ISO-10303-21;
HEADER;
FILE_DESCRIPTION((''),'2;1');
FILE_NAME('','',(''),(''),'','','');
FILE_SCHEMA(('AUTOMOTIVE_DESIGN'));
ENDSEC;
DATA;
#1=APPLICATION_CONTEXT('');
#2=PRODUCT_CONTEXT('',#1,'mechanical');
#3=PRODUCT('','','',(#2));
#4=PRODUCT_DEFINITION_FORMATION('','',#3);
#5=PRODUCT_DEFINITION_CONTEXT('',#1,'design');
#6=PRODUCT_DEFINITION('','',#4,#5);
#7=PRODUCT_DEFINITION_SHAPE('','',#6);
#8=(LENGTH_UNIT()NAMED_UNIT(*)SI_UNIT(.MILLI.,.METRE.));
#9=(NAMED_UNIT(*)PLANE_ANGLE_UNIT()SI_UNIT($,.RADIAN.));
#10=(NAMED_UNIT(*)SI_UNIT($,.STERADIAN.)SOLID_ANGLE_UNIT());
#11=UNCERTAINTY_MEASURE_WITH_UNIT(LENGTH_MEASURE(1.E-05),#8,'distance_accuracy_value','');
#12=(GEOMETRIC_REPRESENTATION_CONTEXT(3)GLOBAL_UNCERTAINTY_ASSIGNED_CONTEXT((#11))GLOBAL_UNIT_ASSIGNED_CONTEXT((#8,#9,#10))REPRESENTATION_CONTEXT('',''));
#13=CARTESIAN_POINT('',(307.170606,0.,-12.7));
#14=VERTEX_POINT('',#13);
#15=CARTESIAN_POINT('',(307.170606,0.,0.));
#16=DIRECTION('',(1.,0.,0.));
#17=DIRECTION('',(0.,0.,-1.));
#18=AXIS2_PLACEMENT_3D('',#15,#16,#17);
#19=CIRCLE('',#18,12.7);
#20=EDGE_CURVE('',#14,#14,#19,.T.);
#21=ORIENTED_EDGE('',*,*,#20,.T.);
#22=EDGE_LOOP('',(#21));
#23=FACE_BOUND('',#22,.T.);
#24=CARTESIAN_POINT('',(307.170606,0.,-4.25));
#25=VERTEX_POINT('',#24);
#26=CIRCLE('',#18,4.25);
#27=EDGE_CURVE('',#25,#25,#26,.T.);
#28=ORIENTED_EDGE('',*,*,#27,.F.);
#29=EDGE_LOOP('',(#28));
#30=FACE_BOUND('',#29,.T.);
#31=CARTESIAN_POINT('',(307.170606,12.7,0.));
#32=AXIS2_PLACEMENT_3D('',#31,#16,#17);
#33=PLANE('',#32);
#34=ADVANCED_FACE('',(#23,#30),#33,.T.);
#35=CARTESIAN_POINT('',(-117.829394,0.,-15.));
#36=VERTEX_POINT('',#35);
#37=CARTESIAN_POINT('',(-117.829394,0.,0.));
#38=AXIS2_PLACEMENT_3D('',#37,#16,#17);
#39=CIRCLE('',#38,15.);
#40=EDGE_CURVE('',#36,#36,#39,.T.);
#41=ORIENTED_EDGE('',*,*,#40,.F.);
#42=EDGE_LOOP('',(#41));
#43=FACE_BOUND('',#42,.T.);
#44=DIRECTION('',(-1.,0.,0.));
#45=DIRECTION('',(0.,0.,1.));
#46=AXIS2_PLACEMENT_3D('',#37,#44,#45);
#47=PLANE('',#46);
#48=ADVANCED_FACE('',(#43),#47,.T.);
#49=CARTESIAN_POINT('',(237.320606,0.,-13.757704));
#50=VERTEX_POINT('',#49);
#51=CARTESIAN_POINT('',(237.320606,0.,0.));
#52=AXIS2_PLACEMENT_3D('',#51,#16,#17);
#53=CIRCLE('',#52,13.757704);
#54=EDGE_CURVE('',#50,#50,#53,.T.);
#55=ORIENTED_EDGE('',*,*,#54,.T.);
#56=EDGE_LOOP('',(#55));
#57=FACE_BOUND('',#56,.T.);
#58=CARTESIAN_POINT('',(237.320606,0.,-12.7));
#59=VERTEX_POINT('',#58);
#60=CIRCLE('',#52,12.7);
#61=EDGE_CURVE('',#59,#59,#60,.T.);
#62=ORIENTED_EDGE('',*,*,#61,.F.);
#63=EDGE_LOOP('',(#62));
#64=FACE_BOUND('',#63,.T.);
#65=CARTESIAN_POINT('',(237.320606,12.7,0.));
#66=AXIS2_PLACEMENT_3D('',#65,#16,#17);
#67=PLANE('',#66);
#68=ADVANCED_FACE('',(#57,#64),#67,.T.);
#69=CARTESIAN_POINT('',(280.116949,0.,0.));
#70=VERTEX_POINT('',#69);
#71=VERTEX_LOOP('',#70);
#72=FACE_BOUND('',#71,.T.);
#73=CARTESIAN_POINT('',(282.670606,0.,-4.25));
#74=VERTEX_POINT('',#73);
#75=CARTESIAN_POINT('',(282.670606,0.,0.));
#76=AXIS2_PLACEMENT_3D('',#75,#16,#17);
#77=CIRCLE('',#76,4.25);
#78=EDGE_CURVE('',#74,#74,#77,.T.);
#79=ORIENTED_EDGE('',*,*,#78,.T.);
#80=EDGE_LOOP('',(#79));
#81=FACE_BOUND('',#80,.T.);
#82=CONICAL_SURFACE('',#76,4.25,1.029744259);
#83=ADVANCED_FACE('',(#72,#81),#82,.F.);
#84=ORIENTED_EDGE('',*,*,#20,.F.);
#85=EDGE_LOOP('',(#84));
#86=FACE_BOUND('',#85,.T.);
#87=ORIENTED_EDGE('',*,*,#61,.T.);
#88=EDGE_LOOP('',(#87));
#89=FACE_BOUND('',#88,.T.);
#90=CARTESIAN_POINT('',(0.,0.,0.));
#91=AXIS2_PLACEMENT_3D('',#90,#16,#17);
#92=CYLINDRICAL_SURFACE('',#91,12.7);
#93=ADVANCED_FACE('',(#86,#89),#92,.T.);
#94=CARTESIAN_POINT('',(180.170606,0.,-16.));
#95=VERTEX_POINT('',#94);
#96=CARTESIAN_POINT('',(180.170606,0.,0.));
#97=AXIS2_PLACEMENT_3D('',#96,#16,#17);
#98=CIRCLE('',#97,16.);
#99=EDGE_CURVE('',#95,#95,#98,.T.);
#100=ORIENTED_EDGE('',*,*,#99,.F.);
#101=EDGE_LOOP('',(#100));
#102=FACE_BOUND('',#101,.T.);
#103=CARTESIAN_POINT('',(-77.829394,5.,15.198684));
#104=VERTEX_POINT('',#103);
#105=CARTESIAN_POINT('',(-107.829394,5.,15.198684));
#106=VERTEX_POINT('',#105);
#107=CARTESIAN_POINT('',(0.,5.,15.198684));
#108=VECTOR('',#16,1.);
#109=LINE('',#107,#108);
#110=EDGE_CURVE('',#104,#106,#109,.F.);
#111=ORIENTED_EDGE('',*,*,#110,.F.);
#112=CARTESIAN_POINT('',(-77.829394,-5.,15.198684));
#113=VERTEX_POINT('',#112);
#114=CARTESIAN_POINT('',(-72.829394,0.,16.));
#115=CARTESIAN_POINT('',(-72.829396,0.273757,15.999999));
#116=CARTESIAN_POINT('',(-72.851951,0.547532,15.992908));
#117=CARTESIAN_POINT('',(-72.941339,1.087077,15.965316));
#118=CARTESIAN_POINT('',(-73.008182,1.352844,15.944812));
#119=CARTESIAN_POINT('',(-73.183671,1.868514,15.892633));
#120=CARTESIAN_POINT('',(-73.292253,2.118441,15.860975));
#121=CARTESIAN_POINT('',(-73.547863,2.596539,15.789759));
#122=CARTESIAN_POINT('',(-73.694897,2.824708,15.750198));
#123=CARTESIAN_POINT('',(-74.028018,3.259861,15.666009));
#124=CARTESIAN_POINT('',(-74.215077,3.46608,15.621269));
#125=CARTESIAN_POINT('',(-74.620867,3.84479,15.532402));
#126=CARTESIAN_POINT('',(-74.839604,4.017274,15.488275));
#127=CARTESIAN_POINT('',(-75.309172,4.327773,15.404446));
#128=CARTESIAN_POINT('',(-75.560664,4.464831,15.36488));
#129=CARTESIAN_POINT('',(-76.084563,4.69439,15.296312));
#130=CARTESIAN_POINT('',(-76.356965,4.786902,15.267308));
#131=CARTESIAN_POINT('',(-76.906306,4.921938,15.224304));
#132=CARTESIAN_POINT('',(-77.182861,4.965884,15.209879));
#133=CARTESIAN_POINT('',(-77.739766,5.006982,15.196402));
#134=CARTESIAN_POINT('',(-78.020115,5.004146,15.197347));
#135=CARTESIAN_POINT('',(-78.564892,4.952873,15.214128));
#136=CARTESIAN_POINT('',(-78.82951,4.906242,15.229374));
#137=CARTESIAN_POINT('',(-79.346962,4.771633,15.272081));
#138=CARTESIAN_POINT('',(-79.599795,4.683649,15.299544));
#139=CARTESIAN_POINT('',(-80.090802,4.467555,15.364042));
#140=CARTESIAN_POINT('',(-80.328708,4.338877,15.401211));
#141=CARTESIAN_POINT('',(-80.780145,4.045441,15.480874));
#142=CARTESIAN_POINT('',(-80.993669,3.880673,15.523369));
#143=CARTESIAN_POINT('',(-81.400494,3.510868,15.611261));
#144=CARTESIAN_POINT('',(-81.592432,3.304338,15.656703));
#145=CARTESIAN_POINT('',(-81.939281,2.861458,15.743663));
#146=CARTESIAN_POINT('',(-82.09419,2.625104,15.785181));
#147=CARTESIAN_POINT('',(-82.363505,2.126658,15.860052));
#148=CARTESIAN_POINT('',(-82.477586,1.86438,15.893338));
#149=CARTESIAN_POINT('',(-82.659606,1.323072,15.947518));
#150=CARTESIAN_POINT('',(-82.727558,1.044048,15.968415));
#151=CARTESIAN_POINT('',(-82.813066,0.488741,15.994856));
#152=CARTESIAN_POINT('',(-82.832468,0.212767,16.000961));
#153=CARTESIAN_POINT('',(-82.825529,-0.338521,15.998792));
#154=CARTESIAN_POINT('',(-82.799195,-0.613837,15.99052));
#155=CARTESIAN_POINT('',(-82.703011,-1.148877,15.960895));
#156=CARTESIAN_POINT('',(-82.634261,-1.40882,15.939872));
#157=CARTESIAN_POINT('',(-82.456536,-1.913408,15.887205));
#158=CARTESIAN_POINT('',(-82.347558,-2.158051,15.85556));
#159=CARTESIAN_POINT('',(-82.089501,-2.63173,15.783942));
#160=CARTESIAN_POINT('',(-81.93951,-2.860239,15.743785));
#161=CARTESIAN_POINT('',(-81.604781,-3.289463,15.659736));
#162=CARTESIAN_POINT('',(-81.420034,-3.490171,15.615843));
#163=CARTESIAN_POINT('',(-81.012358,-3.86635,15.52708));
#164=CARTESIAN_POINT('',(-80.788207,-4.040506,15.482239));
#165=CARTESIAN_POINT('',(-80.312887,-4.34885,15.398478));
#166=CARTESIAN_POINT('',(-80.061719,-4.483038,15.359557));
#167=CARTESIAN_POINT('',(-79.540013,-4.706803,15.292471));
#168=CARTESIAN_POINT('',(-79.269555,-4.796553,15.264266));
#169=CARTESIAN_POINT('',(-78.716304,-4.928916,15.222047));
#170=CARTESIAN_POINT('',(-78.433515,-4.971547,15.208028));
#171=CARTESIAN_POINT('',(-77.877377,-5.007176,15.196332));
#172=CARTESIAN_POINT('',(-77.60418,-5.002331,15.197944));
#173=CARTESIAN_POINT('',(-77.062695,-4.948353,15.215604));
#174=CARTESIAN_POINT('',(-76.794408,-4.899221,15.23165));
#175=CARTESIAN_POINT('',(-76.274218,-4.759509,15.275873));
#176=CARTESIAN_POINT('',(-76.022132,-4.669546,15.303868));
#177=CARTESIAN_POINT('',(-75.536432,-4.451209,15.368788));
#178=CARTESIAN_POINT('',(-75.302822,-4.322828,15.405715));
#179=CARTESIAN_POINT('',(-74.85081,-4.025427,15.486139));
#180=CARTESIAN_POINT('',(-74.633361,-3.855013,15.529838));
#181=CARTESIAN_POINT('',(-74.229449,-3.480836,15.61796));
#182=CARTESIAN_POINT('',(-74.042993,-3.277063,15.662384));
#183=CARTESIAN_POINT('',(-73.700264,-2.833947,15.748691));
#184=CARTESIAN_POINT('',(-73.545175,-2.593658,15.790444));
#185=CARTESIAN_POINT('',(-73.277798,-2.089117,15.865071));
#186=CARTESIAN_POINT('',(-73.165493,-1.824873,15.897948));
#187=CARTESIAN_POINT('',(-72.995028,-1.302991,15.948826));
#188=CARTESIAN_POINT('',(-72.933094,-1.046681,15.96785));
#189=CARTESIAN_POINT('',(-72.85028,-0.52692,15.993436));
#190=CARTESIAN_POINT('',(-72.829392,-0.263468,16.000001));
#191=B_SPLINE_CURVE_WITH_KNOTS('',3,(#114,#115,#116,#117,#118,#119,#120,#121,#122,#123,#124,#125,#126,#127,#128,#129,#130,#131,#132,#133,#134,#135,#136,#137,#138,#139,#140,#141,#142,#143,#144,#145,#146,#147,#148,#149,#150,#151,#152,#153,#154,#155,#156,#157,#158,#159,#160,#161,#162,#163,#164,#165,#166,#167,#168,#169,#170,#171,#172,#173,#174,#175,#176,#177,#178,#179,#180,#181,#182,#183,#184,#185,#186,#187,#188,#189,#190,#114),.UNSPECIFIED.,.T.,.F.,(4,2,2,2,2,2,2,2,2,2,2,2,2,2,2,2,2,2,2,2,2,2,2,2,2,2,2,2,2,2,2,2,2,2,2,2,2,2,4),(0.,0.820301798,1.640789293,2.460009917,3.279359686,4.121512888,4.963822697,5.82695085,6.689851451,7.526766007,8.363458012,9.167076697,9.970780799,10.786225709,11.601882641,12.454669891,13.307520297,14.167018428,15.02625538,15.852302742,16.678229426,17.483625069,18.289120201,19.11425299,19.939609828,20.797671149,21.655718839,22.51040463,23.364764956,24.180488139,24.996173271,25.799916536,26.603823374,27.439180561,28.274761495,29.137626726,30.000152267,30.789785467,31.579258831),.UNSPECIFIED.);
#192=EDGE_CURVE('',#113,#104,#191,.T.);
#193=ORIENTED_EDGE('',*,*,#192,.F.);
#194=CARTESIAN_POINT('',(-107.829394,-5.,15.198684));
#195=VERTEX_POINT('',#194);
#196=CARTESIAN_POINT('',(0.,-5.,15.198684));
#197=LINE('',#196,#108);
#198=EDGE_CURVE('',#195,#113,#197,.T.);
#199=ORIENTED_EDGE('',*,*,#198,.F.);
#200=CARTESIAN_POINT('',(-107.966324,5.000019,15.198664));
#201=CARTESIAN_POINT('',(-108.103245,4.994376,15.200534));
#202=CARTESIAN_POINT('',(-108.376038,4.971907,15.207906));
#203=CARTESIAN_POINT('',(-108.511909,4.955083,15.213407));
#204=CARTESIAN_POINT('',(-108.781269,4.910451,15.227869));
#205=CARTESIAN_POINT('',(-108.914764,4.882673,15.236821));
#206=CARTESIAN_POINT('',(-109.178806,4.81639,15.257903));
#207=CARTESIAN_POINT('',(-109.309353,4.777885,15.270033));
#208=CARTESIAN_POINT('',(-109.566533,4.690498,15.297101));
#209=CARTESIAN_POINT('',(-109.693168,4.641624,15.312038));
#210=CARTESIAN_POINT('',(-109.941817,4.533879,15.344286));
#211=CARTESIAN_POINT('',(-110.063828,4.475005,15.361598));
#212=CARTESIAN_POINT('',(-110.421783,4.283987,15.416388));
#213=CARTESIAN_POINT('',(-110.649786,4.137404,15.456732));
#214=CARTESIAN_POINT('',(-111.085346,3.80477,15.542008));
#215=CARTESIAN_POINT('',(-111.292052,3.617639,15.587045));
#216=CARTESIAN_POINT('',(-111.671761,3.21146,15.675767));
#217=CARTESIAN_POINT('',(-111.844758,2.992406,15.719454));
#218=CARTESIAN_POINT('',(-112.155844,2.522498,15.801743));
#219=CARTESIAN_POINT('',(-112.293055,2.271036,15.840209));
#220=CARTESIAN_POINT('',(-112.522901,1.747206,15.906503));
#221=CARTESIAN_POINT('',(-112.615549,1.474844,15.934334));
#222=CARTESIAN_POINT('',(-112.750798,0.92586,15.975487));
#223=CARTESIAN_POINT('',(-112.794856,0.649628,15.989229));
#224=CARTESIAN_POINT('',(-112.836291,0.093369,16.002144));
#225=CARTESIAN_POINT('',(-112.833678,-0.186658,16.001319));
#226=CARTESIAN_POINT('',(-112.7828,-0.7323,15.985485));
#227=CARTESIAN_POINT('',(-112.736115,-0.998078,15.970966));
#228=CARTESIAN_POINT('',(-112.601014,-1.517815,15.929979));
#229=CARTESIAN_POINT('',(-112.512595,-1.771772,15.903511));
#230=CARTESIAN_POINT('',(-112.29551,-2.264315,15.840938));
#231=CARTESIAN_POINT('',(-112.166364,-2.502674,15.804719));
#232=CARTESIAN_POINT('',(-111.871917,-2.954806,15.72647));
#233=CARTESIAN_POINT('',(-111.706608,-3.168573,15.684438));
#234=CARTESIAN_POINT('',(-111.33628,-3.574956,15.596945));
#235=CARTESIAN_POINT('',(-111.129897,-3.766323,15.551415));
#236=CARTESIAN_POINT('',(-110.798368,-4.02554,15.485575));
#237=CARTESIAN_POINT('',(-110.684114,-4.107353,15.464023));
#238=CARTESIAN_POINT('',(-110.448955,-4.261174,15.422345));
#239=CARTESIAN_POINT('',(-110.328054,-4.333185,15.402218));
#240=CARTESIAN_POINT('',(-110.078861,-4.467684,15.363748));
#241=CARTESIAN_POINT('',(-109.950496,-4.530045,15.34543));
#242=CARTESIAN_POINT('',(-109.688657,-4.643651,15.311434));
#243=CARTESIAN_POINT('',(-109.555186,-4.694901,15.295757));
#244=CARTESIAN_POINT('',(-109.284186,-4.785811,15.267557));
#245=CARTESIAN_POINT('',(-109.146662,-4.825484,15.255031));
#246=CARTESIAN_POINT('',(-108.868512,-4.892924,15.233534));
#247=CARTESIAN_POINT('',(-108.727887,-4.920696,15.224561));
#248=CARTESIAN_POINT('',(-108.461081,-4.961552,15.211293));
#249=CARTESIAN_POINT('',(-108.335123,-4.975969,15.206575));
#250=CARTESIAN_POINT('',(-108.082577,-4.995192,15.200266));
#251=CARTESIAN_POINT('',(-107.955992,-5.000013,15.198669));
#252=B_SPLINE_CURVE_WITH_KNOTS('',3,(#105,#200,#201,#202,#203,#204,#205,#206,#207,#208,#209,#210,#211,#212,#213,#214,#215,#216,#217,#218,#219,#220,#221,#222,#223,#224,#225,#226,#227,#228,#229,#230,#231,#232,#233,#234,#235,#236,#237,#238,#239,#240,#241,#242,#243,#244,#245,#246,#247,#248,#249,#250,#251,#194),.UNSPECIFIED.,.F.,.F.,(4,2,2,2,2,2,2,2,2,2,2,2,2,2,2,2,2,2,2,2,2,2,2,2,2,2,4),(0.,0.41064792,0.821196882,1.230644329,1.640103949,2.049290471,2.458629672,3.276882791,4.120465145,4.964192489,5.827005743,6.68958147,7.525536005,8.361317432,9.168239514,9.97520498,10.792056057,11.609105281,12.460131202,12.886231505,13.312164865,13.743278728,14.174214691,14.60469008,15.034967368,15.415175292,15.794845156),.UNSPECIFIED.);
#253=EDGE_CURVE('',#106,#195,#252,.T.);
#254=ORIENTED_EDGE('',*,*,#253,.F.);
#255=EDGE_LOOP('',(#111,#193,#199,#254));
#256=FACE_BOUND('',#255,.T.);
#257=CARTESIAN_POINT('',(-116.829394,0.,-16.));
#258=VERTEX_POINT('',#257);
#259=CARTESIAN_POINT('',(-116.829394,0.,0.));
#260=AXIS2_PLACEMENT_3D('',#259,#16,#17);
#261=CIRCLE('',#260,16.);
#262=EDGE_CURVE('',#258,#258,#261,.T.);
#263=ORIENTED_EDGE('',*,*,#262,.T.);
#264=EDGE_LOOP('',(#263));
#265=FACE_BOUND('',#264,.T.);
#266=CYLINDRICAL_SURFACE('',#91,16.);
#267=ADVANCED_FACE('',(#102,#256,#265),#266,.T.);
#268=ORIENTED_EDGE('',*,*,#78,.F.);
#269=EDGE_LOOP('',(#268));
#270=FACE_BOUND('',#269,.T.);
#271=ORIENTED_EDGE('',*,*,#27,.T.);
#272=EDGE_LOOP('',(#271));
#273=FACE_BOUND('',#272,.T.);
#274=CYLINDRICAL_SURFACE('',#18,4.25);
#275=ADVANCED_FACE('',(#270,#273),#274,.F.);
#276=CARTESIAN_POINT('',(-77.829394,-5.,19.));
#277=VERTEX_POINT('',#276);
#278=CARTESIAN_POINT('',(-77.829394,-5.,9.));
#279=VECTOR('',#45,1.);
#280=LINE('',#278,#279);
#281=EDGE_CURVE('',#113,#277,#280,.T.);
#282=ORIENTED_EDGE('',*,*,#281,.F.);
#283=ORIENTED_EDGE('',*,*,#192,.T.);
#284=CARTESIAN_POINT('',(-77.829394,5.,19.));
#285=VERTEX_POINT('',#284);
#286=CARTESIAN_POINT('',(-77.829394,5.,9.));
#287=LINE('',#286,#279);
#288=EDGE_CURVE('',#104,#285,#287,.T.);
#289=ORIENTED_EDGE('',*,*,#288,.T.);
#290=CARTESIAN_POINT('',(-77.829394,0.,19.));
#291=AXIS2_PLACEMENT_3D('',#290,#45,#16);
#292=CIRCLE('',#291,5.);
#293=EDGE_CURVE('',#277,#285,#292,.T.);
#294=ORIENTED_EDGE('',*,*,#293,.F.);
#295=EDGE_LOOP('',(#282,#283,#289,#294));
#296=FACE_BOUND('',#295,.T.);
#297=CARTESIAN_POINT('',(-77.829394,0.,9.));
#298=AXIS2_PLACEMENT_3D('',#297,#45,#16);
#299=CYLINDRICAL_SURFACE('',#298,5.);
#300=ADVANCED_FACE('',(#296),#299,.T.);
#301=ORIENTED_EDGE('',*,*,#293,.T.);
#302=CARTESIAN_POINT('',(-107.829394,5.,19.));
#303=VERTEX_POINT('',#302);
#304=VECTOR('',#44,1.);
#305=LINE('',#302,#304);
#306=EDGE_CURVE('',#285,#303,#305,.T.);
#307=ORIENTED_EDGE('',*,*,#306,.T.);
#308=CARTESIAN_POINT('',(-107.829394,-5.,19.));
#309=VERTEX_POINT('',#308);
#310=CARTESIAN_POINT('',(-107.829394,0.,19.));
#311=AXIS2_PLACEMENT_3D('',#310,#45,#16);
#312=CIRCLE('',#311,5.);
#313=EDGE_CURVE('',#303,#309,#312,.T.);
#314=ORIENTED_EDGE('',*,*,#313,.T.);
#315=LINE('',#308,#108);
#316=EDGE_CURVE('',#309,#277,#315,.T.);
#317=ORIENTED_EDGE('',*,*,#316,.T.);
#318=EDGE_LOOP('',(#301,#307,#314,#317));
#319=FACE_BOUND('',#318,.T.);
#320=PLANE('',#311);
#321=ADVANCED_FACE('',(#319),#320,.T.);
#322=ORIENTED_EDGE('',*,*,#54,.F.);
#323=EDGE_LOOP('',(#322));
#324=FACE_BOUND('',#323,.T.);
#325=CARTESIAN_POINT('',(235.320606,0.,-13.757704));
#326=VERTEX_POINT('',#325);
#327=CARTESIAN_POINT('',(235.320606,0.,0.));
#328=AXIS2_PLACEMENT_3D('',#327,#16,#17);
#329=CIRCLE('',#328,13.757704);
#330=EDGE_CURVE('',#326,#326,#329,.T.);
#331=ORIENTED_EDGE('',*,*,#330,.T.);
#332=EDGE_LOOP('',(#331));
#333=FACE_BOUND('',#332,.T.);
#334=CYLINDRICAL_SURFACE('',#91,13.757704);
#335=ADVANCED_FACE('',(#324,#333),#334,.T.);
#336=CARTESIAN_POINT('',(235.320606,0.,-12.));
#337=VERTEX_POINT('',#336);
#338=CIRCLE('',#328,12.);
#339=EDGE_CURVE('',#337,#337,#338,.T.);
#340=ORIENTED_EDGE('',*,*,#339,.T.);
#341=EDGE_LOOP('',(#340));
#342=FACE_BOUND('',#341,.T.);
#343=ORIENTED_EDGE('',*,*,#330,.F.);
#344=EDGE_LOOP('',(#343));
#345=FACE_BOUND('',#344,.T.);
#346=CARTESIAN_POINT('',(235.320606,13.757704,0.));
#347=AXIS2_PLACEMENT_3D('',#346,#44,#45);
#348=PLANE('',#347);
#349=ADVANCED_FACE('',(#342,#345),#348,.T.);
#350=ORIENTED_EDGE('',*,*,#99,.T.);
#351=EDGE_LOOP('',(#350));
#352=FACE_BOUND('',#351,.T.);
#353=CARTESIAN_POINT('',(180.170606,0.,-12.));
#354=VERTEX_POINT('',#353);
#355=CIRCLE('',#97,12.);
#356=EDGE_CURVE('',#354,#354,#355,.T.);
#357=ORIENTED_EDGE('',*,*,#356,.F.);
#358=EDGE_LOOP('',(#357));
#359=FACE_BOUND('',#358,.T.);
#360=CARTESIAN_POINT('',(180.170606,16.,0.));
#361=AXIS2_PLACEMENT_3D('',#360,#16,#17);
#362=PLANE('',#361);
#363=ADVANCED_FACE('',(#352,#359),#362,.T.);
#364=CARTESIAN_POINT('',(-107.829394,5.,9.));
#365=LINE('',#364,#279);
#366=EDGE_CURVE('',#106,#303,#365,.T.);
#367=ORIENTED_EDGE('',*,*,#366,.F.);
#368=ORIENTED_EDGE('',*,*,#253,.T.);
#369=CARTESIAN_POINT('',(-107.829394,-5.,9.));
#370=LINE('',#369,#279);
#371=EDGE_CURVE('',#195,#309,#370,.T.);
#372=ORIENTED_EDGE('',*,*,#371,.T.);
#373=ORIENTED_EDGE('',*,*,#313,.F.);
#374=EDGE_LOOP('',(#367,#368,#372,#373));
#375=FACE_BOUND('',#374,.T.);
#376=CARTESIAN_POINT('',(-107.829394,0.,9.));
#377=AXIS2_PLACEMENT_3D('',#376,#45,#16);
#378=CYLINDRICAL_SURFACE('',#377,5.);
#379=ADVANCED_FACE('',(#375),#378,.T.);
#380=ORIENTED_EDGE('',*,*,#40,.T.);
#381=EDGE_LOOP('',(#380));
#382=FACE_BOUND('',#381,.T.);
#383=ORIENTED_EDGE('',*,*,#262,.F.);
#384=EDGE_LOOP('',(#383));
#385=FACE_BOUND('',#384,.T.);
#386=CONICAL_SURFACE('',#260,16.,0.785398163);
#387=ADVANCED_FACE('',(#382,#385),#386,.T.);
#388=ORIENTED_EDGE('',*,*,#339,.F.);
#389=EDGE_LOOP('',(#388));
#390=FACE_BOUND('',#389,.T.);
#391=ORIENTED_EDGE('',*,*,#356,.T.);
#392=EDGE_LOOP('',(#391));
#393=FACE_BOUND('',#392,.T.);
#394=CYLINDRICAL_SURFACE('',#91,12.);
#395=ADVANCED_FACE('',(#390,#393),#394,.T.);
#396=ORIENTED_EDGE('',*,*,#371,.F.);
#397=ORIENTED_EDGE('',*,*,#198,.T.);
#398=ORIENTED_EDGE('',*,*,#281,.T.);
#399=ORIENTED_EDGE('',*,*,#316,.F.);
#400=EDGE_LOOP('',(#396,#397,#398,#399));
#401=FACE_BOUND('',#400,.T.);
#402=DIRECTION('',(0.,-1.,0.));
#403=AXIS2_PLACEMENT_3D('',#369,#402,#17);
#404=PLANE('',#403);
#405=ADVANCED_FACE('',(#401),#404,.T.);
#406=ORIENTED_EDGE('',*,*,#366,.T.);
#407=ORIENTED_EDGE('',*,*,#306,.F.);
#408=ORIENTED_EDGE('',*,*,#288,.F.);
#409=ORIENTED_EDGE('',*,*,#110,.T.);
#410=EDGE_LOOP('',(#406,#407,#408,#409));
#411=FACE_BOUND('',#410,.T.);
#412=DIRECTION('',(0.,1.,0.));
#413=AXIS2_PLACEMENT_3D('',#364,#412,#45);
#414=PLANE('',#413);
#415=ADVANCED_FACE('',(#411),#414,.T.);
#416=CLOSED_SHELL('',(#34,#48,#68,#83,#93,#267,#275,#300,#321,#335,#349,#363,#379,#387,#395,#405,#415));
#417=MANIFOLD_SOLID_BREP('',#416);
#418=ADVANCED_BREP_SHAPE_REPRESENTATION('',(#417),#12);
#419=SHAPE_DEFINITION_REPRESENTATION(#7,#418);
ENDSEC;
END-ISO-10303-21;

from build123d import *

# Parameters (mm, degrees)
BOSS_EXTRUDE1_DEPTH        = 10
M10X1_5_TAPPED_HOLE1_D     = 8.5
M10X1_5_TAPPED_HOLE1_DEPTH = 24.5
M10X1_5_TAPPED_HOLE1_TIP   = 2.553657631


with BuildPart() as part:
    # Sketch1 → Revolve1 (revolve)
    with BuildSketch(Plane.XY, mode=Mode.PRIVATE) as revolve1_sk:
        Polygon((0, 0), (-117.829393829, 0), (-117.829393829, 15), (-116.829393829, 16), (180.170606171, 16), (180.170606171, 12), (235.320606171, 12), (235.320606171, 13.75770445), (237.320606171, 13.75770445), (237.320606171, 12.7), (307.170606171, 12.7), (307.170606171, 11), (307.170606171, 0), align=None)
    revolve(revolve1_sk.sketch.rotate(Axis((0, 0, 0), (-1, 0, 0)), 90), axis=Axis((0, 0, 0), (-1, 0, 0)))

    # Sketch2 → Boss-Extrude1 (add)
    with BuildSketch(Plane.XY.offset(19)):
        with BuildLine():
            Line((-107.829393829, 5), (-77.829393829, 5))
            ThreePointArc((-77.829393829, 5), (-72.829393829, 0), (-77.829393829, -5))
            Line((-77.829393829, -5), (-107.829393829, -5))
            ThreePointArc((-107.829393829, -5), (-112.829393829, 0), (-107.829393829, 5))
        make_face()
    extrude(amount=-BOSS_EXTRUDE1_DEPTH)

    # M10x1.5 Tapped Hole1
    with Locations(Plane(origin=(307.170606171, 0, 0), x_dir=(0, 0, -1), z_dir=(1, 0, 0))):
        with Locations((0, 0)):
            Hole(M10X1_5_TAPPED_HOLE1_D / 2, depth=M10X1_5_TAPPED_HOLE1_DEPTH)
            with Locations((0, 0, -(M10X1_5_TAPPED_HOLE1_DEPTH + M10X1_5_TAPPED_HOLE1_TIP / 2))):  # 118° drill point
                Cone(0, M10X1_5_TAPPED_HOLE1_D / 2, M10X1_5_TAPPED_HOLE1_TIP, mode=Mode.SUBTRACT)


solid = part.part
